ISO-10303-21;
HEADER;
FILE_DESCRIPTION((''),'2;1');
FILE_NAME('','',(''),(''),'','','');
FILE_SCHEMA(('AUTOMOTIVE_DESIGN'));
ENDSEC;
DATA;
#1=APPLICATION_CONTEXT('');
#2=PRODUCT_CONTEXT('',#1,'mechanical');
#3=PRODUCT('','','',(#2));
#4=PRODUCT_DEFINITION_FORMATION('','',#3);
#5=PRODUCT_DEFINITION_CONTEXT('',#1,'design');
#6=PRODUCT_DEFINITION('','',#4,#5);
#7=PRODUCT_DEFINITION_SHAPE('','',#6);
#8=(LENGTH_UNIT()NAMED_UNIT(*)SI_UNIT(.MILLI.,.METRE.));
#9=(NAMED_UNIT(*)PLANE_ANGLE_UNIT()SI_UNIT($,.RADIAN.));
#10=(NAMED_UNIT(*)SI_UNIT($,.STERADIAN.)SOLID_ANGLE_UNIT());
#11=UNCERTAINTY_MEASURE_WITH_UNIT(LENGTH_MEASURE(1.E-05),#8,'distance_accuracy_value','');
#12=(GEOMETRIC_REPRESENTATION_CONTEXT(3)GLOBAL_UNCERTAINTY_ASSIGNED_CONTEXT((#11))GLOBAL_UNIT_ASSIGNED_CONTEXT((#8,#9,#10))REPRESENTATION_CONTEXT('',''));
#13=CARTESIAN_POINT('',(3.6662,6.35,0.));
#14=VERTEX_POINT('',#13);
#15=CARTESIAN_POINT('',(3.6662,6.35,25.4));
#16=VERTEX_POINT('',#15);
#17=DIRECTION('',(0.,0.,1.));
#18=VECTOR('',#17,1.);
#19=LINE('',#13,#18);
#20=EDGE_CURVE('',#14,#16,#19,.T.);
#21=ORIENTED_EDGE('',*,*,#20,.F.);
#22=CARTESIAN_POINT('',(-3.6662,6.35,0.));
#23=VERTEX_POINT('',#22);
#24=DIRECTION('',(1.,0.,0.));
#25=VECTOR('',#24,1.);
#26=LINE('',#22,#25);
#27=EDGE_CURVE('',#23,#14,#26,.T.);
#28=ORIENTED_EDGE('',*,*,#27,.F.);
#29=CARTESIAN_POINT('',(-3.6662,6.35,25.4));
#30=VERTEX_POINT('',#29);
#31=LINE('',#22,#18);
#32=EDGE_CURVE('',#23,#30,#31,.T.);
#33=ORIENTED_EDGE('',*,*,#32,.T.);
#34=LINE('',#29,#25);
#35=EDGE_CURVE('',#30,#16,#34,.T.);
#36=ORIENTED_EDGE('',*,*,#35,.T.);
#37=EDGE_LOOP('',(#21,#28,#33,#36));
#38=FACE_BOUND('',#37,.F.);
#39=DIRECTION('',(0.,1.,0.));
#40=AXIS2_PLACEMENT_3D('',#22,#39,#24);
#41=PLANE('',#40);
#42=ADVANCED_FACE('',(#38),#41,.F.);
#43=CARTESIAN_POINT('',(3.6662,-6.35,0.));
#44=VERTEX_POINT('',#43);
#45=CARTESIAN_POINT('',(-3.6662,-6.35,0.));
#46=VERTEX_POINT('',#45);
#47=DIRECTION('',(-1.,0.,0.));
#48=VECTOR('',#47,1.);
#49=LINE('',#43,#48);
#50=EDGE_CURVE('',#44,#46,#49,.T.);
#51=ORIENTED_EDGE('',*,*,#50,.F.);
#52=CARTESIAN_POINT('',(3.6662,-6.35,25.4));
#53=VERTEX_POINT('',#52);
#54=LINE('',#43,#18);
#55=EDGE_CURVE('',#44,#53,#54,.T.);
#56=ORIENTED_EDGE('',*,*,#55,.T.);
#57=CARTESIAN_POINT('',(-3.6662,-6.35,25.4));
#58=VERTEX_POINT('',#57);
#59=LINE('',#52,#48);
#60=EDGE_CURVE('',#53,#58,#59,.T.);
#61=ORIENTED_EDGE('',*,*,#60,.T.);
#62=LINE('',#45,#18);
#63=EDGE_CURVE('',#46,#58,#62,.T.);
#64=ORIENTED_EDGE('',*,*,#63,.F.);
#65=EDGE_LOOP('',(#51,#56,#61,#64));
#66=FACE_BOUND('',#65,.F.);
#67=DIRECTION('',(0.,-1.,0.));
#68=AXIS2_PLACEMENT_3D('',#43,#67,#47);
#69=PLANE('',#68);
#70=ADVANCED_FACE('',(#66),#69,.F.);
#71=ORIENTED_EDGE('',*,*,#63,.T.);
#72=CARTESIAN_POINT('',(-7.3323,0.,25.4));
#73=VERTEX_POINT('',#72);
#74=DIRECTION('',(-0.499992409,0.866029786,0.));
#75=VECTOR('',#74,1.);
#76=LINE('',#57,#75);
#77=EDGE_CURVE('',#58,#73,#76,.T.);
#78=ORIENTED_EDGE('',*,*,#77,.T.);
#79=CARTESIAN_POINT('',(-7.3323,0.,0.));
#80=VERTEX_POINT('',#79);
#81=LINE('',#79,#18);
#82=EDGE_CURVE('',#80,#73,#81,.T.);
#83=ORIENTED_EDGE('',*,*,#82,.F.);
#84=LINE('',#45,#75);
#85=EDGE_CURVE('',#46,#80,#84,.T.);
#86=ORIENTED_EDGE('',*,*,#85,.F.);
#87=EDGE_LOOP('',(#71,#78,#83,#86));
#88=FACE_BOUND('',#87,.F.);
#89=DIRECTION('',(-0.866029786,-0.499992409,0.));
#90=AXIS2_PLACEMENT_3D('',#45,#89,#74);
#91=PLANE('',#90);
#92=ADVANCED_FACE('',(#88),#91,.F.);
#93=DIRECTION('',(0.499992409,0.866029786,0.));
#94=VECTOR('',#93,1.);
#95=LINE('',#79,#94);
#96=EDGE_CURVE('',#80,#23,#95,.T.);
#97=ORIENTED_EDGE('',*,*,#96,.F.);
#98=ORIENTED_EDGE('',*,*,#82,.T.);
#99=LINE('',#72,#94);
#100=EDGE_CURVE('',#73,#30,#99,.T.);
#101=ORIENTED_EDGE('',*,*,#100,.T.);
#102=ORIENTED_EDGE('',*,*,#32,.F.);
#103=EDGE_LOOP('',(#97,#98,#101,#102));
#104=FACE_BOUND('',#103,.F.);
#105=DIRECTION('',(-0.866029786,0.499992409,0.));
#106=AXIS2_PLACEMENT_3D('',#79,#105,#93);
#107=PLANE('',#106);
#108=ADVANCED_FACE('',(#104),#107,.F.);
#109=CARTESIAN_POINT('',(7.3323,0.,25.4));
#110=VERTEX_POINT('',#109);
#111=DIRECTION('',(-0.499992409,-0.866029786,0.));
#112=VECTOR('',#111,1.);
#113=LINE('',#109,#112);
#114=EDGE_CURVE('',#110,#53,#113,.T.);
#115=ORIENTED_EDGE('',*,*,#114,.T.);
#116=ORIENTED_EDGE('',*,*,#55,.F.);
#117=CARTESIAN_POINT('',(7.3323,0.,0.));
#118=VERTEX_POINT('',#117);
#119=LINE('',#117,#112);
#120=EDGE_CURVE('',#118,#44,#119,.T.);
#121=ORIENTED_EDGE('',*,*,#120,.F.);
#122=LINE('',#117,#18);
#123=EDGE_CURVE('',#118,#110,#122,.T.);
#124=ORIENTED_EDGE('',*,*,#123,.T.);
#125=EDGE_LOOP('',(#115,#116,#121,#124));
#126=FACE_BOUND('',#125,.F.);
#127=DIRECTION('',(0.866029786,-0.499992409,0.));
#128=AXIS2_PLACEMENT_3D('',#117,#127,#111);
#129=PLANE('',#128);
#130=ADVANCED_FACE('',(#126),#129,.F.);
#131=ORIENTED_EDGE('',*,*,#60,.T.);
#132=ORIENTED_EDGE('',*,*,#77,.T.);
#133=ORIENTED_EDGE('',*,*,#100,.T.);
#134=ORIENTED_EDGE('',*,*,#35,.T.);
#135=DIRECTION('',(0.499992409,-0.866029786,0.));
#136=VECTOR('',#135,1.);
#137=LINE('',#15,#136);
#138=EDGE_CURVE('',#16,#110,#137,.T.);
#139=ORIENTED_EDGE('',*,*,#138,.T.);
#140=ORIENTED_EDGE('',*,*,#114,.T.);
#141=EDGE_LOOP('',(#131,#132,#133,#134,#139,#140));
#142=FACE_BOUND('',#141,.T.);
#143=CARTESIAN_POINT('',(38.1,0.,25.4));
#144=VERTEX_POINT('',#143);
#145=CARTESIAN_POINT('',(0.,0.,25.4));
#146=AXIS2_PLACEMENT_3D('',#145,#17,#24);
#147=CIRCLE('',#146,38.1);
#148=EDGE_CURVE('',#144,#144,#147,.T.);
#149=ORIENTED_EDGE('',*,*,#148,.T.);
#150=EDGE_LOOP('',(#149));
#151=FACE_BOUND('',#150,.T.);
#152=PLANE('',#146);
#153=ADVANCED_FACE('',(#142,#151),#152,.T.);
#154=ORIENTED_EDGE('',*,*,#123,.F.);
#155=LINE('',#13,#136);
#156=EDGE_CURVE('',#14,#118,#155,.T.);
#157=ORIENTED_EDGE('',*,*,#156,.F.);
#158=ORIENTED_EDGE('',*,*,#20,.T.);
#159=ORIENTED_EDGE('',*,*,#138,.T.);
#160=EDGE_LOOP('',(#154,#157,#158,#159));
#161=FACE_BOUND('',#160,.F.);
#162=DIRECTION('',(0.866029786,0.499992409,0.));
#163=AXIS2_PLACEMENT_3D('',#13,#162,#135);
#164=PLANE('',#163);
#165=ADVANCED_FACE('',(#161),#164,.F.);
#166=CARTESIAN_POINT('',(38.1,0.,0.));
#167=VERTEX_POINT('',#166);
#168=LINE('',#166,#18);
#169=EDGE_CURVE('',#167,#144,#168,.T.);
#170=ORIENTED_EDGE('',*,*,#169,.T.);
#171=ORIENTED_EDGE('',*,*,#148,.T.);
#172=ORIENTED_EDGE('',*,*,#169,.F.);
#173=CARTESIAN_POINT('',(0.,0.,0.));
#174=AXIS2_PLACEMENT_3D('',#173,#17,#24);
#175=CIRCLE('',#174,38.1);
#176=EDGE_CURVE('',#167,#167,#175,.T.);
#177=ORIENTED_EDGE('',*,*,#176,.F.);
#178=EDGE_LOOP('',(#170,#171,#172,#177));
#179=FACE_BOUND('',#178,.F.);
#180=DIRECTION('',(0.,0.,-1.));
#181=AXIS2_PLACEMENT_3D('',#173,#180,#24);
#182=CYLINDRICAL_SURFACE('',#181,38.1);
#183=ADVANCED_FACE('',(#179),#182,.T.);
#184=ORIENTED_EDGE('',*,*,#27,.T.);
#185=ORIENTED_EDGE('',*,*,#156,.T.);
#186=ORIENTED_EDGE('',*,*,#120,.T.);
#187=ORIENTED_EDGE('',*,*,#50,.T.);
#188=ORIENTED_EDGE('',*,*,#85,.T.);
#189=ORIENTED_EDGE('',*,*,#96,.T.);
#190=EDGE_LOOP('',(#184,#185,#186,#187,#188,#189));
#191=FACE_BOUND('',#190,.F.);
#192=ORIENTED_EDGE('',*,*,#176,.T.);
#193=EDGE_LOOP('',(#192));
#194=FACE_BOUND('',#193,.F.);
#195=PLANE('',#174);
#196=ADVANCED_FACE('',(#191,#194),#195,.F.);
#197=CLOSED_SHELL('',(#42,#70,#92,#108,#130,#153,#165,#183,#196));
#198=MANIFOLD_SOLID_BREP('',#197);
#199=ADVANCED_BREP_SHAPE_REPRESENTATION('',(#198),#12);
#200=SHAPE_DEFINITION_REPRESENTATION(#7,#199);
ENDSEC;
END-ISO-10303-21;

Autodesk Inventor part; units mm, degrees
ref_plane "YZ Plane" through (0, 0, 0) normal (1, 0, 0) x (0, 1, 0)
ref_plane "XZ Plane" through (0, 0, 0) normal (0, 1, 0) x (-1, 0, 0)
ref_plane "XY Plane" through (0, 0, 0) normal (0, 0, 1) x (1, 0, 0)
sketch "Sketch1" plane through (0, 0, 0) normal (0, 0, 1) x (1, 0, 0)
  circle A0 centre (0, 0) radius 38.1
  line L0 (3.6662, 6.35) -> (7.3323, 0)
  line L1 (7.3323, 0) -> (3.6662, -6.35)
  line L2 (3.6662, -6.35) -> (-3.6662, -6.35)
  line L3 (-3.6662, -6.35) -> (-7.3323, 0)
  line L4 (-7.3323, 0) -> (-3.6662, 6.35)
  line L5 (-3.6662, 6.35) -> (3.6662, 6.35)
  line L6 (0, 0) -> (-13.8069, 0)
  dimension "d0" = 76.2
  dimension "d1" = 12.7
extrude "Extrusion1" add sketch "Sketch1" along normal blind 25.4
properties part number "Simple 3 in wheel"
